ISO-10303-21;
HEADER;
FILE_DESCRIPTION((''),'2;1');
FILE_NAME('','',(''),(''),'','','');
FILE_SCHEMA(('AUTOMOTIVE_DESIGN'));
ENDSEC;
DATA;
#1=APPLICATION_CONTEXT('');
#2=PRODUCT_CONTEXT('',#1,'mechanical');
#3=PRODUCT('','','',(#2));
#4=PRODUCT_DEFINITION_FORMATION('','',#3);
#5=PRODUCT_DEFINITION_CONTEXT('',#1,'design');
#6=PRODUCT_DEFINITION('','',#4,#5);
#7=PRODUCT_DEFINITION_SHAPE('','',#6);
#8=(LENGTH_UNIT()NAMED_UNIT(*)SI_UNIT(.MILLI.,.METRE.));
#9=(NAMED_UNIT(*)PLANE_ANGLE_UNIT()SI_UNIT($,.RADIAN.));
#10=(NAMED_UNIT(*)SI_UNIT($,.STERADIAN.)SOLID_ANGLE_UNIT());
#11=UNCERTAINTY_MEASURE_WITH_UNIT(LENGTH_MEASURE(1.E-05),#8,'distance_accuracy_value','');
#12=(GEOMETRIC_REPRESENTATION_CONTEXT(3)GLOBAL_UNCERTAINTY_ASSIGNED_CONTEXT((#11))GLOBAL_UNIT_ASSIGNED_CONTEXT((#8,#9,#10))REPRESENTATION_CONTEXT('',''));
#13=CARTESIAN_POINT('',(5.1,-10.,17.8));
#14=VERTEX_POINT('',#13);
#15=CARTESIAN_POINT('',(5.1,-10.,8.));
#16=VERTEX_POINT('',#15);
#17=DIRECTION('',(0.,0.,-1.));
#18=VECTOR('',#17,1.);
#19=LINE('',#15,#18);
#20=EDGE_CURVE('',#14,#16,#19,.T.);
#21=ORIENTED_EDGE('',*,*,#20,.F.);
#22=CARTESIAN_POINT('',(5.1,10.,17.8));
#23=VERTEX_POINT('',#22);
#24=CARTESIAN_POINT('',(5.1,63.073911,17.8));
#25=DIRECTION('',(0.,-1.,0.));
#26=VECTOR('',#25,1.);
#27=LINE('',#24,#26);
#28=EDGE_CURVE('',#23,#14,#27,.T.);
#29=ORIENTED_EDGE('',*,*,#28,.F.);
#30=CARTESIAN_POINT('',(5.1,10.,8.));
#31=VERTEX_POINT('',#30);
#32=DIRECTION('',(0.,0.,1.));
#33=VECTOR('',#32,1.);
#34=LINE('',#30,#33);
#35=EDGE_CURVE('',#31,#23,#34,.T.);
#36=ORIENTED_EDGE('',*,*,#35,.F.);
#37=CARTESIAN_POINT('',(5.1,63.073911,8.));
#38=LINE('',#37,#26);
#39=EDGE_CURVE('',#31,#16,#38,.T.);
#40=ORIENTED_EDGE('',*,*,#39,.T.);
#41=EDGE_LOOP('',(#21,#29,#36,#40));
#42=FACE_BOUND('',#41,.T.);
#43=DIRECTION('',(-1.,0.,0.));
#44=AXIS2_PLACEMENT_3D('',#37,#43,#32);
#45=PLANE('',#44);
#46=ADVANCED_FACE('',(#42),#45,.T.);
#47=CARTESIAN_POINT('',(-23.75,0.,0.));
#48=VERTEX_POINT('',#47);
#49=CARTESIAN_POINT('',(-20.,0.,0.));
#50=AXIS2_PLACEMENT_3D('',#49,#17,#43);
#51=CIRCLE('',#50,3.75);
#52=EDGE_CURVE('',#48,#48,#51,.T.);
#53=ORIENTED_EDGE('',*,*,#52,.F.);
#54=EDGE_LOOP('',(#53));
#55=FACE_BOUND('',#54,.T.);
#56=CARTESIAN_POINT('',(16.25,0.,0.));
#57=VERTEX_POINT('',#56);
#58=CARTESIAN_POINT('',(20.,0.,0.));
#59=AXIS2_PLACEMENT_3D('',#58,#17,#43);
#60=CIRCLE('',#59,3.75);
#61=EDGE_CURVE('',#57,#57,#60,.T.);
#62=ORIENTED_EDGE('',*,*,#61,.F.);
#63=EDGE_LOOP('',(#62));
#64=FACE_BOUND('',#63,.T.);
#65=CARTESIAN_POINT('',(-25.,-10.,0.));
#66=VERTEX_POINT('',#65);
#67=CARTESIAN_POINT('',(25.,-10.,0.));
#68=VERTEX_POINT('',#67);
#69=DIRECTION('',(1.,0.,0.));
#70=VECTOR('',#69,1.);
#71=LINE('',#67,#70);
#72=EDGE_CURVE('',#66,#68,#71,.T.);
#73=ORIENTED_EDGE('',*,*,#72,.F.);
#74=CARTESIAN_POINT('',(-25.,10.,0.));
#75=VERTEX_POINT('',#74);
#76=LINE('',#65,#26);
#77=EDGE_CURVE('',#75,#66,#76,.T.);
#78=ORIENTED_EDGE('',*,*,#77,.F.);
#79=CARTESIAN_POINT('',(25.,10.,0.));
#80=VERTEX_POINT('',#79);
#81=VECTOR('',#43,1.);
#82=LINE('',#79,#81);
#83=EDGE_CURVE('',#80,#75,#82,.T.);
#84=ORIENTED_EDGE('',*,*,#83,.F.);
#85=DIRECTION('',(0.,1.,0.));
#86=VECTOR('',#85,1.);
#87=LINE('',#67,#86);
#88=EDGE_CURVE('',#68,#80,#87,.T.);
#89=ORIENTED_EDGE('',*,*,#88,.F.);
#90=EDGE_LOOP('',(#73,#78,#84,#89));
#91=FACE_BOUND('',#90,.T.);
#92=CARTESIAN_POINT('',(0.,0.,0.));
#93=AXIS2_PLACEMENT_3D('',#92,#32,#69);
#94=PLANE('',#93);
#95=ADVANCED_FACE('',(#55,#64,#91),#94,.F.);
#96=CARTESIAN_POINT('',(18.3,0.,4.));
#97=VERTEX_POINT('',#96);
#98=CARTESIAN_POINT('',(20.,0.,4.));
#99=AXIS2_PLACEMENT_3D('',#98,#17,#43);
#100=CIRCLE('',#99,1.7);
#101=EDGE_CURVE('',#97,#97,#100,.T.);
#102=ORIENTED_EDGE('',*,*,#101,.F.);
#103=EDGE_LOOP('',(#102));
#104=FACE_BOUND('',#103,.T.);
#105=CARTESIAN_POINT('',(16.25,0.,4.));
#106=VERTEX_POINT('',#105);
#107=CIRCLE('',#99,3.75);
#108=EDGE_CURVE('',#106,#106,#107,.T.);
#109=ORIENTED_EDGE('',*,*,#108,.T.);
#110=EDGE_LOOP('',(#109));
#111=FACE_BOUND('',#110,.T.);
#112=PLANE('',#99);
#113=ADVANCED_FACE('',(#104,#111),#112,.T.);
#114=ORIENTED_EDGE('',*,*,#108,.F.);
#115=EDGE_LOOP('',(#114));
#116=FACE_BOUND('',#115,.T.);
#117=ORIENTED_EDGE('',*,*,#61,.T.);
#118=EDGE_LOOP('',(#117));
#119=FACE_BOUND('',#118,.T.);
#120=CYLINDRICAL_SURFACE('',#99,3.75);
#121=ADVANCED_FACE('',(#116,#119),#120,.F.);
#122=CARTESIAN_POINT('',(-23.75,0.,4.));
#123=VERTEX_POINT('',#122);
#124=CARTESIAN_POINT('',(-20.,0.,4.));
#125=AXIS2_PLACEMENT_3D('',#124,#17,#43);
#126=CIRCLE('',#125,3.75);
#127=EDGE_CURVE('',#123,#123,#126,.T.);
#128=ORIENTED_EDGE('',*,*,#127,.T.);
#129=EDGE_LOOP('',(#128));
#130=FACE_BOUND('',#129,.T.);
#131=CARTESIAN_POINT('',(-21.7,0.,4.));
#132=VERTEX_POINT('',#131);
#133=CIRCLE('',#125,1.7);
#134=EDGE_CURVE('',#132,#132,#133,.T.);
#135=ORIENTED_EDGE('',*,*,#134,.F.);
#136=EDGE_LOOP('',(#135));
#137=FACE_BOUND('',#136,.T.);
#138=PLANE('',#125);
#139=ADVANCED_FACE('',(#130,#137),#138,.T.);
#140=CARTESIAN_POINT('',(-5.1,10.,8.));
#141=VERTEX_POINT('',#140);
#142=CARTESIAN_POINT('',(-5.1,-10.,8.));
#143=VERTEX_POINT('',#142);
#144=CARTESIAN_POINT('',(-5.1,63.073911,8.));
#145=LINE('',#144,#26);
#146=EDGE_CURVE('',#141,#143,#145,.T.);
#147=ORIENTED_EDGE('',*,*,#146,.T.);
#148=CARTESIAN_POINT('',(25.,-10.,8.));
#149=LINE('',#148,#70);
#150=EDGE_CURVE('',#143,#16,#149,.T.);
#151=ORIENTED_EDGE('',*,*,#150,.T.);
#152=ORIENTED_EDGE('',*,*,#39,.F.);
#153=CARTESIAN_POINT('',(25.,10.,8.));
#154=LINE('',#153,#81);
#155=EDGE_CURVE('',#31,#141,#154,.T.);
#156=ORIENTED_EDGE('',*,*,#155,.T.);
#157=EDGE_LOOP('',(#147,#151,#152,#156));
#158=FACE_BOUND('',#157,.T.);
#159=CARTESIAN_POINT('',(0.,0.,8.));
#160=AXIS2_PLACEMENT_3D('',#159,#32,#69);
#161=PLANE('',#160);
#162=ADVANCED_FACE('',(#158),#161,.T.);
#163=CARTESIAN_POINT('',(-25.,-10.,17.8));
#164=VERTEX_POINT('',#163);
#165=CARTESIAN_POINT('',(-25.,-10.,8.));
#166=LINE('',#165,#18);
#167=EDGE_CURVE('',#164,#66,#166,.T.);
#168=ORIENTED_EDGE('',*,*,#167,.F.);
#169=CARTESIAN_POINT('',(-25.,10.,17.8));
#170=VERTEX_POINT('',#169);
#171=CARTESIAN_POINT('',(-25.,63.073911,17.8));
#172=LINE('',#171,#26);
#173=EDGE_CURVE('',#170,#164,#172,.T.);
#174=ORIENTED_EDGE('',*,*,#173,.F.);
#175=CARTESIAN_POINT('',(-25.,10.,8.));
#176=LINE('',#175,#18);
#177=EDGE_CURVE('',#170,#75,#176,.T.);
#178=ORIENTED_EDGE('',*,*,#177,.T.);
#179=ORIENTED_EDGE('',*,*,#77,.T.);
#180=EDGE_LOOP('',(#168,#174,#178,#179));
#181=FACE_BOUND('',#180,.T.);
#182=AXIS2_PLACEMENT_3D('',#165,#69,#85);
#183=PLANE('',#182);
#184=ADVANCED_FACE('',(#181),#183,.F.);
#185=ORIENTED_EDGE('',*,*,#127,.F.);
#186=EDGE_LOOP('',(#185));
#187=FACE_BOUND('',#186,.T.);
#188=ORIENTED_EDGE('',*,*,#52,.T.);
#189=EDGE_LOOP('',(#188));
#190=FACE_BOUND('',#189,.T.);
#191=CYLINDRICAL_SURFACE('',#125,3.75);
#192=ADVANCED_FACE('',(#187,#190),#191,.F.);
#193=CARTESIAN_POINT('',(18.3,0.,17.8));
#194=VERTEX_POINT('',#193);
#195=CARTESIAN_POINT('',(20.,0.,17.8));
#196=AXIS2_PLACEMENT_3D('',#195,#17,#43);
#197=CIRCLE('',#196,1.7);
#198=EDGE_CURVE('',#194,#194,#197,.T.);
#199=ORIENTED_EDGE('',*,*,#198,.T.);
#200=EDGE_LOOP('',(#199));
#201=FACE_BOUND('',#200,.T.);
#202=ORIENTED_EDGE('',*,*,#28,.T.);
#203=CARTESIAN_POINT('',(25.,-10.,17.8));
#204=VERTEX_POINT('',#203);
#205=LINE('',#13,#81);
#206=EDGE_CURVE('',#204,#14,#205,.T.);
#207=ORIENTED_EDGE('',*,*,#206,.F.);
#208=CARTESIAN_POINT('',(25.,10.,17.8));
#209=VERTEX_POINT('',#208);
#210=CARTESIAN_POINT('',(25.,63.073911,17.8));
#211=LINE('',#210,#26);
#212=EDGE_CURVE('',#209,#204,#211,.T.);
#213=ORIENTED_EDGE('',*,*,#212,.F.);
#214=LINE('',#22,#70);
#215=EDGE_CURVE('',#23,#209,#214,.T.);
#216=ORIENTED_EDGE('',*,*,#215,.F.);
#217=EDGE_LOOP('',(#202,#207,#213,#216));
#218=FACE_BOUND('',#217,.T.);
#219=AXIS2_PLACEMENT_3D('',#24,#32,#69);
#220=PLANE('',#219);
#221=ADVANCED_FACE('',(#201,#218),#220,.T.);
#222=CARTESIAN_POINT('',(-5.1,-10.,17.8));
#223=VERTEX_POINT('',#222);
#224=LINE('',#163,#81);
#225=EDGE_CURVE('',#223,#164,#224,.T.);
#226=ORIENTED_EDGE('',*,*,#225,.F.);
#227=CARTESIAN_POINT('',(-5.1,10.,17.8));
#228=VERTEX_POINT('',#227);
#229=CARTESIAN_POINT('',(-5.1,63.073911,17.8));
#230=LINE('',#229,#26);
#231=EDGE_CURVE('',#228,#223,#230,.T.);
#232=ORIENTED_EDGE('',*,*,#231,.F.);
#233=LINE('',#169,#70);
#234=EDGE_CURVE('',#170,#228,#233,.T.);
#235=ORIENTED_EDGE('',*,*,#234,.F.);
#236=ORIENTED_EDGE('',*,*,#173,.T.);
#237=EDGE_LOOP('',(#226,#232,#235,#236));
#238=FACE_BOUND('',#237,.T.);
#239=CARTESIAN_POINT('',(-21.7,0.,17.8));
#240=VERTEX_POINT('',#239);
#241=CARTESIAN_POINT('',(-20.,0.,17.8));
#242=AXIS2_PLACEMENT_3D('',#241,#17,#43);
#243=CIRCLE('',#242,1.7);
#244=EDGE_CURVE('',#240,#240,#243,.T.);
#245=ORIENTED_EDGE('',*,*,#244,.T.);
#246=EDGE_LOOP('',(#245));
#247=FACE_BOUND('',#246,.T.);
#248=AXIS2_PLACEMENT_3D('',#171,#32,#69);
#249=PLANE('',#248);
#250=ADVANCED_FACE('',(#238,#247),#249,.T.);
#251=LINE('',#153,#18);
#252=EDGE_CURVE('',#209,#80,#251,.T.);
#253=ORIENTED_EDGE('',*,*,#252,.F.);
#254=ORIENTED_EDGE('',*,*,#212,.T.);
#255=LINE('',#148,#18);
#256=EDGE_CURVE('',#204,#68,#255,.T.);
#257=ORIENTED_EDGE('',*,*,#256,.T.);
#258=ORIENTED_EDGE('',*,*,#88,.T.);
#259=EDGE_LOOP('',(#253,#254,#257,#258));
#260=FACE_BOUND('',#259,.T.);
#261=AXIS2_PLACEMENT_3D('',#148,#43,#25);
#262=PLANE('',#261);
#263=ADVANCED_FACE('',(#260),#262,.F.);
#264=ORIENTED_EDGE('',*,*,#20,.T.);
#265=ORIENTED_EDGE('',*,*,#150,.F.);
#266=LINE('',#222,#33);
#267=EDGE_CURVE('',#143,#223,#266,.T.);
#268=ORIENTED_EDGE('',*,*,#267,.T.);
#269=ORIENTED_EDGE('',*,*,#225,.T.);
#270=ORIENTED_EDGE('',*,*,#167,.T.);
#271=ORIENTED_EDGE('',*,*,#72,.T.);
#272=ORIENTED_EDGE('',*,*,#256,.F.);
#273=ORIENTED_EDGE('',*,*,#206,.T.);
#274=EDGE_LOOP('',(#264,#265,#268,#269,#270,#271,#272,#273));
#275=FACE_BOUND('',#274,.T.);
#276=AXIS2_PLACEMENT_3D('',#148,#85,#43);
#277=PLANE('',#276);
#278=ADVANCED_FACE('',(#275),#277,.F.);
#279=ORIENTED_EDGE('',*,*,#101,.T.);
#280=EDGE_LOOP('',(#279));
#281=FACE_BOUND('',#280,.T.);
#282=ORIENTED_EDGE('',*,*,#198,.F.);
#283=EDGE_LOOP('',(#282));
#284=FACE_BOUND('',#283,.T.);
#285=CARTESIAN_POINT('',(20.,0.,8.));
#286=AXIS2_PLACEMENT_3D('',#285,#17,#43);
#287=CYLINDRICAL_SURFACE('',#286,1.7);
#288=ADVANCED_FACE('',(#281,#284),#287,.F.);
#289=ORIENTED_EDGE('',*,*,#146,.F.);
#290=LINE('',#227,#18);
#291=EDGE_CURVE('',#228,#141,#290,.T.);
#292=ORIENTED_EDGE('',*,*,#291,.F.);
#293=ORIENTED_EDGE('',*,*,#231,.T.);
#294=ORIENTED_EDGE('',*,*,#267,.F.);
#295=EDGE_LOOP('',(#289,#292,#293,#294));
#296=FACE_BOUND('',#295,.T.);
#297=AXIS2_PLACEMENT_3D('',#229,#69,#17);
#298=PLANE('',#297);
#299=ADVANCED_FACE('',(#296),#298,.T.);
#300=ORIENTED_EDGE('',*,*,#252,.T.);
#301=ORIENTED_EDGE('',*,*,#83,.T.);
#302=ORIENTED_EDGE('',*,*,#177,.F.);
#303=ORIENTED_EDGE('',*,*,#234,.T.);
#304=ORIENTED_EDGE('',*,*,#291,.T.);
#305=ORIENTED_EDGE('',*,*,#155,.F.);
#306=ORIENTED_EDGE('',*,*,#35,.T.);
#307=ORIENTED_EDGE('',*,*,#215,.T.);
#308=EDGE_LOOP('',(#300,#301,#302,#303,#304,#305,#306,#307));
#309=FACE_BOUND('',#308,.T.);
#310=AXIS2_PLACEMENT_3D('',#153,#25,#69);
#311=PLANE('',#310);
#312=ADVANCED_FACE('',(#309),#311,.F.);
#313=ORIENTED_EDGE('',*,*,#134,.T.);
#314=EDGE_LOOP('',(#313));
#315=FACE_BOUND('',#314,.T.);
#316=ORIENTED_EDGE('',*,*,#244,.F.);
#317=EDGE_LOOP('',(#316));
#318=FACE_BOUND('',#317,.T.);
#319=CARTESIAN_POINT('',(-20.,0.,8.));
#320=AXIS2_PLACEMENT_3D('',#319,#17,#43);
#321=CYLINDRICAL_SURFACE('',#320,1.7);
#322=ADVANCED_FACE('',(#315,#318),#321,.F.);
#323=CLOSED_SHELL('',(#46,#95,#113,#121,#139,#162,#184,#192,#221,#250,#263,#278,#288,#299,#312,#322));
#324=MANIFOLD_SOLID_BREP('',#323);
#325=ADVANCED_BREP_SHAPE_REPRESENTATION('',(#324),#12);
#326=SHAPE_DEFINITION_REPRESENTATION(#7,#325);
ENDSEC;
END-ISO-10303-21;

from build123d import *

# Parameters (mm, degrees)
SKETCH2_W           = 50
SKETCH2_H           = 20
SKETCH2_R           = 1.7
BOSS_EXTRUDE1_DEPTH = 8
BOSS_EXTRUDE2_DEPTH = 20
SKETCH6_R           = 3.75
CUT_EXTRUDE1_DEPTH  = 4
SKETCH7_R           = 1.7
CUT_EXTRUDE2_DEPTH  = 18.8


with BuildPart() as part:
    # Sketch2 → Boss-Extrude1 (new body)
    with BuildSketch(Plane.XY):
        Rectangle(SKETCH2_W, SKETCH2_H)
        with Locations((-20, 0)):
            Circle(SKETCH2_R, mode=Mode.SUBTRACT)
        with Locations((20, 0)):
            Circle(SKETCH2_R, mode=Mode.SUBTRACT)
    extrude(amount=BOSS_EXTRUDE1_DEPTH)

    # Sketch5 → Boss-Extrude2 (add)
    with BuildSketch(Plane.XZ.offset(10)):
        with BuildLine():
            Line((-25, 8), (-25, 17.8))
            Line((-25, 17.8), (-5.1, 17.8))
            Line((-5.1, 17.8), (-5.1, 8))
            Line((-5.1, 8), (5.1, 8))
            Line((5.1, 8), (5.1, 17.8))
            Line((5.1, 17.8), (25, 17.8))
            Line((25, 17.8), (25, 8))
            ThreePointArc((25, 8), (0, 0), (-25, 8))
        make_face()
    extrude(amount=-BOSS_EXTRUDE2_DEPTH)

    # Sketch6 → Cut-Extrude1 (cut)
    with BuildSketch(Plane(origin=(0, 0, 0), x_dir=(-1, 0, 0), z_dir=(0, 0, -1))):
        with Locations((20, 0)):
            Circle(SKETCH6_R)
        with Locations((-20, 0)):
            Circle(SKETCH6_R)
    extrude(amount=-CUT_EXTRUDE1_DEPTH, mode=Mode.SUBTRACT)

    # Sketch7 → Cut-Extrude2 (cut, through all)
    with BuildSketch(Plane(origin=(0, 0, 0), x_dir=(-1, 0, 0), z_dir=(0, 0, -1))):
        with Locations((20, 0)):
            Circle(SKETCH7_R)
        with Locations((-20, 0)):
            Circle(SKETCH7_R)
    extrude(amount=-CUT_EXTRUDE2_DEPTH, mode=Mode.SUBTRACT)


solid = part.part
